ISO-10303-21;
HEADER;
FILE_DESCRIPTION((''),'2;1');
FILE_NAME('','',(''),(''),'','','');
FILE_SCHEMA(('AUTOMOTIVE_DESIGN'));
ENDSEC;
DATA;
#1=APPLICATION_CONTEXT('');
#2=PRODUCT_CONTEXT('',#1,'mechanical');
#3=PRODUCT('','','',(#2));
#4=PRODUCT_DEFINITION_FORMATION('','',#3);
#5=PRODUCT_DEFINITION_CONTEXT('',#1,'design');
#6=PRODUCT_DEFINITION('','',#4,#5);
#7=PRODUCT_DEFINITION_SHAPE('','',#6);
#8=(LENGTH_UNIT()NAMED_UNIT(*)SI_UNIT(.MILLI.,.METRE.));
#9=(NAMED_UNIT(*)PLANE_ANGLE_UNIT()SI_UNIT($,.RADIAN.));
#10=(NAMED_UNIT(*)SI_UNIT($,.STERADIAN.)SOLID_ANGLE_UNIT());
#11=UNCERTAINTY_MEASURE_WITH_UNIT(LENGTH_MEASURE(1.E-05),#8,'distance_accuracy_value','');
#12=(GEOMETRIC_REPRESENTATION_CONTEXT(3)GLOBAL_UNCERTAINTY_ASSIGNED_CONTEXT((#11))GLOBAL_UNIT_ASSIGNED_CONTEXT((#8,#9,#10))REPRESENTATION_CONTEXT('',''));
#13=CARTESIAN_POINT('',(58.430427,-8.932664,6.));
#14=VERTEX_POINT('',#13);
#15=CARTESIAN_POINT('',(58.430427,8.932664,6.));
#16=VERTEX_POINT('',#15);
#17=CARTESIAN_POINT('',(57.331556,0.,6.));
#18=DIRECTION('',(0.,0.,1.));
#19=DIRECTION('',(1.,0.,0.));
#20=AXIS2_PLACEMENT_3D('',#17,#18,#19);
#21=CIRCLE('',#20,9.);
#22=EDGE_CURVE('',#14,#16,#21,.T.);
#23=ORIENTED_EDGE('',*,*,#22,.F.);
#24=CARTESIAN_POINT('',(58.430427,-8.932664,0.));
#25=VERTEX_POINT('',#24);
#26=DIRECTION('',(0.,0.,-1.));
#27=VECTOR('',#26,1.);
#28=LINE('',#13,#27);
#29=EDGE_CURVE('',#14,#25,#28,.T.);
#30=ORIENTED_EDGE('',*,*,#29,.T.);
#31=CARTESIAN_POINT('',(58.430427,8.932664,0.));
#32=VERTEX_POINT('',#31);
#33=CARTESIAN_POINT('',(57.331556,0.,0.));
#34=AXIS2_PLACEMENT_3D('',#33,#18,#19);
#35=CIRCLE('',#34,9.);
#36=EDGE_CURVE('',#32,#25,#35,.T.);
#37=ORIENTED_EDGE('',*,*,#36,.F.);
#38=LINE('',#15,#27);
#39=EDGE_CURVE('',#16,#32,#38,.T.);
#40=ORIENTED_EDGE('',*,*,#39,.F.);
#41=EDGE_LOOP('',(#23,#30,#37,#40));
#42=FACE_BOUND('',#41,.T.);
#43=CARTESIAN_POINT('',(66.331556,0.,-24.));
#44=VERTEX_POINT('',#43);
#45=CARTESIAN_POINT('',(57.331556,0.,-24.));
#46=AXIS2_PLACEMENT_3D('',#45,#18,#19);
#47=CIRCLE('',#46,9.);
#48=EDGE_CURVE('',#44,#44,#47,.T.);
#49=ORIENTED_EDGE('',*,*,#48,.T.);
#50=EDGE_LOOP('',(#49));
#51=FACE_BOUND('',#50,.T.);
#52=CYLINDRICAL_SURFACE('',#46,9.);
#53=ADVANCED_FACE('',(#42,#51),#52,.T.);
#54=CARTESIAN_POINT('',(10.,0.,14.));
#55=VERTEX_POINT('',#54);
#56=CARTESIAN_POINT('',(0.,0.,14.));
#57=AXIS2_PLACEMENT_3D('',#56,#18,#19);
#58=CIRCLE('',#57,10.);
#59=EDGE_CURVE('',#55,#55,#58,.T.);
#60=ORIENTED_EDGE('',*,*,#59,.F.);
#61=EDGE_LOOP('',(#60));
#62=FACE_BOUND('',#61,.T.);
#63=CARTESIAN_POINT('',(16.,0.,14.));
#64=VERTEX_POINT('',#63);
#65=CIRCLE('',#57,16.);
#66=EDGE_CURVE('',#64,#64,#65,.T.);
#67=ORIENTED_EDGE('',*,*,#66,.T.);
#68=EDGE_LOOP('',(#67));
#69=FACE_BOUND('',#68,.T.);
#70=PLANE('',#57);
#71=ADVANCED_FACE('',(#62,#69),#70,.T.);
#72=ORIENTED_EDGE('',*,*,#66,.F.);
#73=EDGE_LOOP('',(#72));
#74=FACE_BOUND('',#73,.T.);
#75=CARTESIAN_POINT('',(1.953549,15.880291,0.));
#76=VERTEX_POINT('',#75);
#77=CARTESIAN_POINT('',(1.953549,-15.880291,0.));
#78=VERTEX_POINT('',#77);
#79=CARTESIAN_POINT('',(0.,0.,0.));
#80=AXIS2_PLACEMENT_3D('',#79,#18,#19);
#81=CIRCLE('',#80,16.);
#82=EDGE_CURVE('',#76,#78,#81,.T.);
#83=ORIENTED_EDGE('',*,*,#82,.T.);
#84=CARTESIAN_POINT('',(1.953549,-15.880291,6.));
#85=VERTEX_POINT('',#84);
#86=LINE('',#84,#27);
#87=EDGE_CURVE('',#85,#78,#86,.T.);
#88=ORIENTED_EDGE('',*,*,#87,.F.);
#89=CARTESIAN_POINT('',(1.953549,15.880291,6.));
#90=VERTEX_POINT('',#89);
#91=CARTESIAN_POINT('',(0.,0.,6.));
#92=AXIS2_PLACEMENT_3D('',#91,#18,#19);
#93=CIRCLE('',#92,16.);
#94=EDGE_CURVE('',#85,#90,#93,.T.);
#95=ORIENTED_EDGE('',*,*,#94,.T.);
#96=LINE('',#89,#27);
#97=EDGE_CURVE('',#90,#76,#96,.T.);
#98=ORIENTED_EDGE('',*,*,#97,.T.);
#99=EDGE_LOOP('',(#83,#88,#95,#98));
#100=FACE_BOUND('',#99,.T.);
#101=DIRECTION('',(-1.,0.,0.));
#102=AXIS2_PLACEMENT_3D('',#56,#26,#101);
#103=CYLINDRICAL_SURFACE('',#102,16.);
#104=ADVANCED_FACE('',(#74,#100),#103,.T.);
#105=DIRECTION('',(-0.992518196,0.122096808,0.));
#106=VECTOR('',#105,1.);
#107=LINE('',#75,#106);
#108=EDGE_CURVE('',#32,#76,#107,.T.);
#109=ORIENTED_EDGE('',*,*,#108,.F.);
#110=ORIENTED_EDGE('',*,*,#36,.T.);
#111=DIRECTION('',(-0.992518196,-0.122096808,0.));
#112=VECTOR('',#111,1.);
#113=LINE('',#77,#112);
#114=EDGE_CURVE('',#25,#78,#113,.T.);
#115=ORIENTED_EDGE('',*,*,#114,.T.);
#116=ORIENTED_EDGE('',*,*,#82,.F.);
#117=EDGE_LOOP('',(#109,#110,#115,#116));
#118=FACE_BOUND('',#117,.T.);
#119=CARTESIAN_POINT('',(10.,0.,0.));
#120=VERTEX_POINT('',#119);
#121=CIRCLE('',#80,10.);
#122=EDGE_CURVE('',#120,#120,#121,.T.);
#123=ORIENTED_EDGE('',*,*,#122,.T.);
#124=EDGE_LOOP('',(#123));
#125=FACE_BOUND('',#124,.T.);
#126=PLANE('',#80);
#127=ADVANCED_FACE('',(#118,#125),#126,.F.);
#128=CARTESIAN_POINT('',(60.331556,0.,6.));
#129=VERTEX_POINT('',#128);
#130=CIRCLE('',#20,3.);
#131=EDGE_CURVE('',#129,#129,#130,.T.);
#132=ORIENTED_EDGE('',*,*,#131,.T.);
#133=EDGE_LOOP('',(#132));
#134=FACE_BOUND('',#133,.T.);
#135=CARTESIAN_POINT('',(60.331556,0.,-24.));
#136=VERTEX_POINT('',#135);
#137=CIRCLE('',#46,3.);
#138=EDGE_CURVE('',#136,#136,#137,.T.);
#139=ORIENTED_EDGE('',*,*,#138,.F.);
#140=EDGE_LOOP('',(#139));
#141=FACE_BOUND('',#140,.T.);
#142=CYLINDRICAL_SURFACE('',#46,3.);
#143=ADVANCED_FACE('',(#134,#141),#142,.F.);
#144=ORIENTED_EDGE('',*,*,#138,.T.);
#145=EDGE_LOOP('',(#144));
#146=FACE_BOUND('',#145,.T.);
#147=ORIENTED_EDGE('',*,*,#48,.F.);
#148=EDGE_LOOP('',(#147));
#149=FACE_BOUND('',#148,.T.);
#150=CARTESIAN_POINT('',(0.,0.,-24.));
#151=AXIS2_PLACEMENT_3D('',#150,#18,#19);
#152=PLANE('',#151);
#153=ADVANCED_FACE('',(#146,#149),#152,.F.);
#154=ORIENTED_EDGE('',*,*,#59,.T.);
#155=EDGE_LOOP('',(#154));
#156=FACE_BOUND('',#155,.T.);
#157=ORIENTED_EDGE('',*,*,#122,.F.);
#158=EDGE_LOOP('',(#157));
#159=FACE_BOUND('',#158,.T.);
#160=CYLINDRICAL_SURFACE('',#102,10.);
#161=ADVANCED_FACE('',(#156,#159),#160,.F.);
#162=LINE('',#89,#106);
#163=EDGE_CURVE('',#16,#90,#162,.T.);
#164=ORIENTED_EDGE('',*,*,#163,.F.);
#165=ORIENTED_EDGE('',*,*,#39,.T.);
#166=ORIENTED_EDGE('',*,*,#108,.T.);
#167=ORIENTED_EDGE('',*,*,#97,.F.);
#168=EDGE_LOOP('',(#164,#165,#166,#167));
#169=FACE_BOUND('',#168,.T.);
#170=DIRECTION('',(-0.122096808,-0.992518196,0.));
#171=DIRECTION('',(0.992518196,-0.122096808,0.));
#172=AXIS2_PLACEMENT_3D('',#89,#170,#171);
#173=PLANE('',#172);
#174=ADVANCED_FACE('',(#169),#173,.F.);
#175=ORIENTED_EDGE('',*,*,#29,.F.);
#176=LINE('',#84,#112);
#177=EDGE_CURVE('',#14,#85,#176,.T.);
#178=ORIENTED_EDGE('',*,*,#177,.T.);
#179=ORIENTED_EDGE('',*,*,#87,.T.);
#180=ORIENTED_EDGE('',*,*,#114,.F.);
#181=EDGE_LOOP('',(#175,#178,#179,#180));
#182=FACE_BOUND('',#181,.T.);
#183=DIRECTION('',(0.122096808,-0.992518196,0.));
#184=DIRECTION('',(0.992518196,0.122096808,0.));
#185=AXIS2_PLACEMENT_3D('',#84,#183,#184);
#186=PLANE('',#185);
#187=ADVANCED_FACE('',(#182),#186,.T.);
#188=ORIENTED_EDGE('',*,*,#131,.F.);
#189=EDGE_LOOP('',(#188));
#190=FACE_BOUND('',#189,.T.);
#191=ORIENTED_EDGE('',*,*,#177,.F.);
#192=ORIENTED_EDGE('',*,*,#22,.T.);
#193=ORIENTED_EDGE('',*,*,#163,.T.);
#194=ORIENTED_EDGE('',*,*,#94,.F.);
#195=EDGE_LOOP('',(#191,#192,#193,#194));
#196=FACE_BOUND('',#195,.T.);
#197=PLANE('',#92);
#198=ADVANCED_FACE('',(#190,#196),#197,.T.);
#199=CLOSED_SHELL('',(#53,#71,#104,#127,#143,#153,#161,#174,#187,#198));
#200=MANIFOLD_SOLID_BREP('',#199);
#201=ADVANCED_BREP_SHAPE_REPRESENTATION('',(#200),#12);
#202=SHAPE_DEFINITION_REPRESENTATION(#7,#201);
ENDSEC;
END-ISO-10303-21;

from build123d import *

# Parameters (mm, degrees)
SKETCH3_R                = 10
BOSS_EXTRUDE4_DEPTH      = 14
BOSS_EXTRUDE5_DEPTH      = 6
BOSS_EXTRUDE6_DEPTH      = 6
BOSS_EXTRUDE6_DEPTH_BACK = 24
SKETCH3_4_R              = 3


with BuildPart() as part:
    # Sketch3 → Boss-Extrude4 (new body)
    with BuildSketch(Plane.XY):
        with BuildLine():
            ThreePointArc((16, 0), (11.984506309, 10.600547558), (1.953548933, 15.880291136))
            ThreePointArc((1.953548933, 15.880291136), (-16, 0), (1.953548933, -15.880291136))
            ThreePointArc((1.953548933, -15.880291136), (11.984506309, -10.600547558), (16, 0))
        make_face()
        Circle(SKETCH3_R, mode=Mode.SUBTRACT)
    extrude(amount=BOSS_EXTRUDE4_DEPTH)

    # Sketch3<3> → Boss-Extrude5 (add)
    with BuildSketch(Plane.XY):
        with BuildLine():
            ThreePointArc((58.430427234, -8.932663764), (48.331555959, 0), (58.430427234, 8.932663764))
            Line((58.430427234, 8.932663764), (1.953548933, 15.880291136))
            ThreePointArc((1.953548933, 15.880291136), (11.984506309, 10.600547558), (16, 0))
            ThreePointArc((16, 0), (11.984506309, -10.600547558), (1.953548933, -15.880291136))
            Line((1.953548933, -15.880291136), (58.430427234, -8.932663764))
        make_face()
    extrude(amount=BOSS_EXTRUDE5_DEPTH)

    # Sketch3<4> → Boss-Extrude6 (add, two sides: drawn at the far end of the back side and taken through both)
    with BuildSketch(Plane.XY.offset(-BOSS_EXTRUDE6_DEPTH_BACK)):
        with BuildLine():
            ThreePointArc((66.331555959, 0), (64.072840758, 5.962808001), (58.430427234, 8.932663764))
            ThreePointArc((58.430427234, 8.932663764), (48.331555959, 0), (58.430427234, -8.932663764))
            ThreePointArc((58.430427234, -8.932663764), (64.072840758, -5.962808001), (66.331555959, 0))
        make_face()
        with Locations((57.331555959, 0)):
            Circle(SKETCH3_4_R, mode=Mode.SUBTRACT)
    extrude(amount=BOSS_EXTRUDE6_DEPTH + BOSS_EXTRUDE6_DEPTH_BACK)


solid = part.part
